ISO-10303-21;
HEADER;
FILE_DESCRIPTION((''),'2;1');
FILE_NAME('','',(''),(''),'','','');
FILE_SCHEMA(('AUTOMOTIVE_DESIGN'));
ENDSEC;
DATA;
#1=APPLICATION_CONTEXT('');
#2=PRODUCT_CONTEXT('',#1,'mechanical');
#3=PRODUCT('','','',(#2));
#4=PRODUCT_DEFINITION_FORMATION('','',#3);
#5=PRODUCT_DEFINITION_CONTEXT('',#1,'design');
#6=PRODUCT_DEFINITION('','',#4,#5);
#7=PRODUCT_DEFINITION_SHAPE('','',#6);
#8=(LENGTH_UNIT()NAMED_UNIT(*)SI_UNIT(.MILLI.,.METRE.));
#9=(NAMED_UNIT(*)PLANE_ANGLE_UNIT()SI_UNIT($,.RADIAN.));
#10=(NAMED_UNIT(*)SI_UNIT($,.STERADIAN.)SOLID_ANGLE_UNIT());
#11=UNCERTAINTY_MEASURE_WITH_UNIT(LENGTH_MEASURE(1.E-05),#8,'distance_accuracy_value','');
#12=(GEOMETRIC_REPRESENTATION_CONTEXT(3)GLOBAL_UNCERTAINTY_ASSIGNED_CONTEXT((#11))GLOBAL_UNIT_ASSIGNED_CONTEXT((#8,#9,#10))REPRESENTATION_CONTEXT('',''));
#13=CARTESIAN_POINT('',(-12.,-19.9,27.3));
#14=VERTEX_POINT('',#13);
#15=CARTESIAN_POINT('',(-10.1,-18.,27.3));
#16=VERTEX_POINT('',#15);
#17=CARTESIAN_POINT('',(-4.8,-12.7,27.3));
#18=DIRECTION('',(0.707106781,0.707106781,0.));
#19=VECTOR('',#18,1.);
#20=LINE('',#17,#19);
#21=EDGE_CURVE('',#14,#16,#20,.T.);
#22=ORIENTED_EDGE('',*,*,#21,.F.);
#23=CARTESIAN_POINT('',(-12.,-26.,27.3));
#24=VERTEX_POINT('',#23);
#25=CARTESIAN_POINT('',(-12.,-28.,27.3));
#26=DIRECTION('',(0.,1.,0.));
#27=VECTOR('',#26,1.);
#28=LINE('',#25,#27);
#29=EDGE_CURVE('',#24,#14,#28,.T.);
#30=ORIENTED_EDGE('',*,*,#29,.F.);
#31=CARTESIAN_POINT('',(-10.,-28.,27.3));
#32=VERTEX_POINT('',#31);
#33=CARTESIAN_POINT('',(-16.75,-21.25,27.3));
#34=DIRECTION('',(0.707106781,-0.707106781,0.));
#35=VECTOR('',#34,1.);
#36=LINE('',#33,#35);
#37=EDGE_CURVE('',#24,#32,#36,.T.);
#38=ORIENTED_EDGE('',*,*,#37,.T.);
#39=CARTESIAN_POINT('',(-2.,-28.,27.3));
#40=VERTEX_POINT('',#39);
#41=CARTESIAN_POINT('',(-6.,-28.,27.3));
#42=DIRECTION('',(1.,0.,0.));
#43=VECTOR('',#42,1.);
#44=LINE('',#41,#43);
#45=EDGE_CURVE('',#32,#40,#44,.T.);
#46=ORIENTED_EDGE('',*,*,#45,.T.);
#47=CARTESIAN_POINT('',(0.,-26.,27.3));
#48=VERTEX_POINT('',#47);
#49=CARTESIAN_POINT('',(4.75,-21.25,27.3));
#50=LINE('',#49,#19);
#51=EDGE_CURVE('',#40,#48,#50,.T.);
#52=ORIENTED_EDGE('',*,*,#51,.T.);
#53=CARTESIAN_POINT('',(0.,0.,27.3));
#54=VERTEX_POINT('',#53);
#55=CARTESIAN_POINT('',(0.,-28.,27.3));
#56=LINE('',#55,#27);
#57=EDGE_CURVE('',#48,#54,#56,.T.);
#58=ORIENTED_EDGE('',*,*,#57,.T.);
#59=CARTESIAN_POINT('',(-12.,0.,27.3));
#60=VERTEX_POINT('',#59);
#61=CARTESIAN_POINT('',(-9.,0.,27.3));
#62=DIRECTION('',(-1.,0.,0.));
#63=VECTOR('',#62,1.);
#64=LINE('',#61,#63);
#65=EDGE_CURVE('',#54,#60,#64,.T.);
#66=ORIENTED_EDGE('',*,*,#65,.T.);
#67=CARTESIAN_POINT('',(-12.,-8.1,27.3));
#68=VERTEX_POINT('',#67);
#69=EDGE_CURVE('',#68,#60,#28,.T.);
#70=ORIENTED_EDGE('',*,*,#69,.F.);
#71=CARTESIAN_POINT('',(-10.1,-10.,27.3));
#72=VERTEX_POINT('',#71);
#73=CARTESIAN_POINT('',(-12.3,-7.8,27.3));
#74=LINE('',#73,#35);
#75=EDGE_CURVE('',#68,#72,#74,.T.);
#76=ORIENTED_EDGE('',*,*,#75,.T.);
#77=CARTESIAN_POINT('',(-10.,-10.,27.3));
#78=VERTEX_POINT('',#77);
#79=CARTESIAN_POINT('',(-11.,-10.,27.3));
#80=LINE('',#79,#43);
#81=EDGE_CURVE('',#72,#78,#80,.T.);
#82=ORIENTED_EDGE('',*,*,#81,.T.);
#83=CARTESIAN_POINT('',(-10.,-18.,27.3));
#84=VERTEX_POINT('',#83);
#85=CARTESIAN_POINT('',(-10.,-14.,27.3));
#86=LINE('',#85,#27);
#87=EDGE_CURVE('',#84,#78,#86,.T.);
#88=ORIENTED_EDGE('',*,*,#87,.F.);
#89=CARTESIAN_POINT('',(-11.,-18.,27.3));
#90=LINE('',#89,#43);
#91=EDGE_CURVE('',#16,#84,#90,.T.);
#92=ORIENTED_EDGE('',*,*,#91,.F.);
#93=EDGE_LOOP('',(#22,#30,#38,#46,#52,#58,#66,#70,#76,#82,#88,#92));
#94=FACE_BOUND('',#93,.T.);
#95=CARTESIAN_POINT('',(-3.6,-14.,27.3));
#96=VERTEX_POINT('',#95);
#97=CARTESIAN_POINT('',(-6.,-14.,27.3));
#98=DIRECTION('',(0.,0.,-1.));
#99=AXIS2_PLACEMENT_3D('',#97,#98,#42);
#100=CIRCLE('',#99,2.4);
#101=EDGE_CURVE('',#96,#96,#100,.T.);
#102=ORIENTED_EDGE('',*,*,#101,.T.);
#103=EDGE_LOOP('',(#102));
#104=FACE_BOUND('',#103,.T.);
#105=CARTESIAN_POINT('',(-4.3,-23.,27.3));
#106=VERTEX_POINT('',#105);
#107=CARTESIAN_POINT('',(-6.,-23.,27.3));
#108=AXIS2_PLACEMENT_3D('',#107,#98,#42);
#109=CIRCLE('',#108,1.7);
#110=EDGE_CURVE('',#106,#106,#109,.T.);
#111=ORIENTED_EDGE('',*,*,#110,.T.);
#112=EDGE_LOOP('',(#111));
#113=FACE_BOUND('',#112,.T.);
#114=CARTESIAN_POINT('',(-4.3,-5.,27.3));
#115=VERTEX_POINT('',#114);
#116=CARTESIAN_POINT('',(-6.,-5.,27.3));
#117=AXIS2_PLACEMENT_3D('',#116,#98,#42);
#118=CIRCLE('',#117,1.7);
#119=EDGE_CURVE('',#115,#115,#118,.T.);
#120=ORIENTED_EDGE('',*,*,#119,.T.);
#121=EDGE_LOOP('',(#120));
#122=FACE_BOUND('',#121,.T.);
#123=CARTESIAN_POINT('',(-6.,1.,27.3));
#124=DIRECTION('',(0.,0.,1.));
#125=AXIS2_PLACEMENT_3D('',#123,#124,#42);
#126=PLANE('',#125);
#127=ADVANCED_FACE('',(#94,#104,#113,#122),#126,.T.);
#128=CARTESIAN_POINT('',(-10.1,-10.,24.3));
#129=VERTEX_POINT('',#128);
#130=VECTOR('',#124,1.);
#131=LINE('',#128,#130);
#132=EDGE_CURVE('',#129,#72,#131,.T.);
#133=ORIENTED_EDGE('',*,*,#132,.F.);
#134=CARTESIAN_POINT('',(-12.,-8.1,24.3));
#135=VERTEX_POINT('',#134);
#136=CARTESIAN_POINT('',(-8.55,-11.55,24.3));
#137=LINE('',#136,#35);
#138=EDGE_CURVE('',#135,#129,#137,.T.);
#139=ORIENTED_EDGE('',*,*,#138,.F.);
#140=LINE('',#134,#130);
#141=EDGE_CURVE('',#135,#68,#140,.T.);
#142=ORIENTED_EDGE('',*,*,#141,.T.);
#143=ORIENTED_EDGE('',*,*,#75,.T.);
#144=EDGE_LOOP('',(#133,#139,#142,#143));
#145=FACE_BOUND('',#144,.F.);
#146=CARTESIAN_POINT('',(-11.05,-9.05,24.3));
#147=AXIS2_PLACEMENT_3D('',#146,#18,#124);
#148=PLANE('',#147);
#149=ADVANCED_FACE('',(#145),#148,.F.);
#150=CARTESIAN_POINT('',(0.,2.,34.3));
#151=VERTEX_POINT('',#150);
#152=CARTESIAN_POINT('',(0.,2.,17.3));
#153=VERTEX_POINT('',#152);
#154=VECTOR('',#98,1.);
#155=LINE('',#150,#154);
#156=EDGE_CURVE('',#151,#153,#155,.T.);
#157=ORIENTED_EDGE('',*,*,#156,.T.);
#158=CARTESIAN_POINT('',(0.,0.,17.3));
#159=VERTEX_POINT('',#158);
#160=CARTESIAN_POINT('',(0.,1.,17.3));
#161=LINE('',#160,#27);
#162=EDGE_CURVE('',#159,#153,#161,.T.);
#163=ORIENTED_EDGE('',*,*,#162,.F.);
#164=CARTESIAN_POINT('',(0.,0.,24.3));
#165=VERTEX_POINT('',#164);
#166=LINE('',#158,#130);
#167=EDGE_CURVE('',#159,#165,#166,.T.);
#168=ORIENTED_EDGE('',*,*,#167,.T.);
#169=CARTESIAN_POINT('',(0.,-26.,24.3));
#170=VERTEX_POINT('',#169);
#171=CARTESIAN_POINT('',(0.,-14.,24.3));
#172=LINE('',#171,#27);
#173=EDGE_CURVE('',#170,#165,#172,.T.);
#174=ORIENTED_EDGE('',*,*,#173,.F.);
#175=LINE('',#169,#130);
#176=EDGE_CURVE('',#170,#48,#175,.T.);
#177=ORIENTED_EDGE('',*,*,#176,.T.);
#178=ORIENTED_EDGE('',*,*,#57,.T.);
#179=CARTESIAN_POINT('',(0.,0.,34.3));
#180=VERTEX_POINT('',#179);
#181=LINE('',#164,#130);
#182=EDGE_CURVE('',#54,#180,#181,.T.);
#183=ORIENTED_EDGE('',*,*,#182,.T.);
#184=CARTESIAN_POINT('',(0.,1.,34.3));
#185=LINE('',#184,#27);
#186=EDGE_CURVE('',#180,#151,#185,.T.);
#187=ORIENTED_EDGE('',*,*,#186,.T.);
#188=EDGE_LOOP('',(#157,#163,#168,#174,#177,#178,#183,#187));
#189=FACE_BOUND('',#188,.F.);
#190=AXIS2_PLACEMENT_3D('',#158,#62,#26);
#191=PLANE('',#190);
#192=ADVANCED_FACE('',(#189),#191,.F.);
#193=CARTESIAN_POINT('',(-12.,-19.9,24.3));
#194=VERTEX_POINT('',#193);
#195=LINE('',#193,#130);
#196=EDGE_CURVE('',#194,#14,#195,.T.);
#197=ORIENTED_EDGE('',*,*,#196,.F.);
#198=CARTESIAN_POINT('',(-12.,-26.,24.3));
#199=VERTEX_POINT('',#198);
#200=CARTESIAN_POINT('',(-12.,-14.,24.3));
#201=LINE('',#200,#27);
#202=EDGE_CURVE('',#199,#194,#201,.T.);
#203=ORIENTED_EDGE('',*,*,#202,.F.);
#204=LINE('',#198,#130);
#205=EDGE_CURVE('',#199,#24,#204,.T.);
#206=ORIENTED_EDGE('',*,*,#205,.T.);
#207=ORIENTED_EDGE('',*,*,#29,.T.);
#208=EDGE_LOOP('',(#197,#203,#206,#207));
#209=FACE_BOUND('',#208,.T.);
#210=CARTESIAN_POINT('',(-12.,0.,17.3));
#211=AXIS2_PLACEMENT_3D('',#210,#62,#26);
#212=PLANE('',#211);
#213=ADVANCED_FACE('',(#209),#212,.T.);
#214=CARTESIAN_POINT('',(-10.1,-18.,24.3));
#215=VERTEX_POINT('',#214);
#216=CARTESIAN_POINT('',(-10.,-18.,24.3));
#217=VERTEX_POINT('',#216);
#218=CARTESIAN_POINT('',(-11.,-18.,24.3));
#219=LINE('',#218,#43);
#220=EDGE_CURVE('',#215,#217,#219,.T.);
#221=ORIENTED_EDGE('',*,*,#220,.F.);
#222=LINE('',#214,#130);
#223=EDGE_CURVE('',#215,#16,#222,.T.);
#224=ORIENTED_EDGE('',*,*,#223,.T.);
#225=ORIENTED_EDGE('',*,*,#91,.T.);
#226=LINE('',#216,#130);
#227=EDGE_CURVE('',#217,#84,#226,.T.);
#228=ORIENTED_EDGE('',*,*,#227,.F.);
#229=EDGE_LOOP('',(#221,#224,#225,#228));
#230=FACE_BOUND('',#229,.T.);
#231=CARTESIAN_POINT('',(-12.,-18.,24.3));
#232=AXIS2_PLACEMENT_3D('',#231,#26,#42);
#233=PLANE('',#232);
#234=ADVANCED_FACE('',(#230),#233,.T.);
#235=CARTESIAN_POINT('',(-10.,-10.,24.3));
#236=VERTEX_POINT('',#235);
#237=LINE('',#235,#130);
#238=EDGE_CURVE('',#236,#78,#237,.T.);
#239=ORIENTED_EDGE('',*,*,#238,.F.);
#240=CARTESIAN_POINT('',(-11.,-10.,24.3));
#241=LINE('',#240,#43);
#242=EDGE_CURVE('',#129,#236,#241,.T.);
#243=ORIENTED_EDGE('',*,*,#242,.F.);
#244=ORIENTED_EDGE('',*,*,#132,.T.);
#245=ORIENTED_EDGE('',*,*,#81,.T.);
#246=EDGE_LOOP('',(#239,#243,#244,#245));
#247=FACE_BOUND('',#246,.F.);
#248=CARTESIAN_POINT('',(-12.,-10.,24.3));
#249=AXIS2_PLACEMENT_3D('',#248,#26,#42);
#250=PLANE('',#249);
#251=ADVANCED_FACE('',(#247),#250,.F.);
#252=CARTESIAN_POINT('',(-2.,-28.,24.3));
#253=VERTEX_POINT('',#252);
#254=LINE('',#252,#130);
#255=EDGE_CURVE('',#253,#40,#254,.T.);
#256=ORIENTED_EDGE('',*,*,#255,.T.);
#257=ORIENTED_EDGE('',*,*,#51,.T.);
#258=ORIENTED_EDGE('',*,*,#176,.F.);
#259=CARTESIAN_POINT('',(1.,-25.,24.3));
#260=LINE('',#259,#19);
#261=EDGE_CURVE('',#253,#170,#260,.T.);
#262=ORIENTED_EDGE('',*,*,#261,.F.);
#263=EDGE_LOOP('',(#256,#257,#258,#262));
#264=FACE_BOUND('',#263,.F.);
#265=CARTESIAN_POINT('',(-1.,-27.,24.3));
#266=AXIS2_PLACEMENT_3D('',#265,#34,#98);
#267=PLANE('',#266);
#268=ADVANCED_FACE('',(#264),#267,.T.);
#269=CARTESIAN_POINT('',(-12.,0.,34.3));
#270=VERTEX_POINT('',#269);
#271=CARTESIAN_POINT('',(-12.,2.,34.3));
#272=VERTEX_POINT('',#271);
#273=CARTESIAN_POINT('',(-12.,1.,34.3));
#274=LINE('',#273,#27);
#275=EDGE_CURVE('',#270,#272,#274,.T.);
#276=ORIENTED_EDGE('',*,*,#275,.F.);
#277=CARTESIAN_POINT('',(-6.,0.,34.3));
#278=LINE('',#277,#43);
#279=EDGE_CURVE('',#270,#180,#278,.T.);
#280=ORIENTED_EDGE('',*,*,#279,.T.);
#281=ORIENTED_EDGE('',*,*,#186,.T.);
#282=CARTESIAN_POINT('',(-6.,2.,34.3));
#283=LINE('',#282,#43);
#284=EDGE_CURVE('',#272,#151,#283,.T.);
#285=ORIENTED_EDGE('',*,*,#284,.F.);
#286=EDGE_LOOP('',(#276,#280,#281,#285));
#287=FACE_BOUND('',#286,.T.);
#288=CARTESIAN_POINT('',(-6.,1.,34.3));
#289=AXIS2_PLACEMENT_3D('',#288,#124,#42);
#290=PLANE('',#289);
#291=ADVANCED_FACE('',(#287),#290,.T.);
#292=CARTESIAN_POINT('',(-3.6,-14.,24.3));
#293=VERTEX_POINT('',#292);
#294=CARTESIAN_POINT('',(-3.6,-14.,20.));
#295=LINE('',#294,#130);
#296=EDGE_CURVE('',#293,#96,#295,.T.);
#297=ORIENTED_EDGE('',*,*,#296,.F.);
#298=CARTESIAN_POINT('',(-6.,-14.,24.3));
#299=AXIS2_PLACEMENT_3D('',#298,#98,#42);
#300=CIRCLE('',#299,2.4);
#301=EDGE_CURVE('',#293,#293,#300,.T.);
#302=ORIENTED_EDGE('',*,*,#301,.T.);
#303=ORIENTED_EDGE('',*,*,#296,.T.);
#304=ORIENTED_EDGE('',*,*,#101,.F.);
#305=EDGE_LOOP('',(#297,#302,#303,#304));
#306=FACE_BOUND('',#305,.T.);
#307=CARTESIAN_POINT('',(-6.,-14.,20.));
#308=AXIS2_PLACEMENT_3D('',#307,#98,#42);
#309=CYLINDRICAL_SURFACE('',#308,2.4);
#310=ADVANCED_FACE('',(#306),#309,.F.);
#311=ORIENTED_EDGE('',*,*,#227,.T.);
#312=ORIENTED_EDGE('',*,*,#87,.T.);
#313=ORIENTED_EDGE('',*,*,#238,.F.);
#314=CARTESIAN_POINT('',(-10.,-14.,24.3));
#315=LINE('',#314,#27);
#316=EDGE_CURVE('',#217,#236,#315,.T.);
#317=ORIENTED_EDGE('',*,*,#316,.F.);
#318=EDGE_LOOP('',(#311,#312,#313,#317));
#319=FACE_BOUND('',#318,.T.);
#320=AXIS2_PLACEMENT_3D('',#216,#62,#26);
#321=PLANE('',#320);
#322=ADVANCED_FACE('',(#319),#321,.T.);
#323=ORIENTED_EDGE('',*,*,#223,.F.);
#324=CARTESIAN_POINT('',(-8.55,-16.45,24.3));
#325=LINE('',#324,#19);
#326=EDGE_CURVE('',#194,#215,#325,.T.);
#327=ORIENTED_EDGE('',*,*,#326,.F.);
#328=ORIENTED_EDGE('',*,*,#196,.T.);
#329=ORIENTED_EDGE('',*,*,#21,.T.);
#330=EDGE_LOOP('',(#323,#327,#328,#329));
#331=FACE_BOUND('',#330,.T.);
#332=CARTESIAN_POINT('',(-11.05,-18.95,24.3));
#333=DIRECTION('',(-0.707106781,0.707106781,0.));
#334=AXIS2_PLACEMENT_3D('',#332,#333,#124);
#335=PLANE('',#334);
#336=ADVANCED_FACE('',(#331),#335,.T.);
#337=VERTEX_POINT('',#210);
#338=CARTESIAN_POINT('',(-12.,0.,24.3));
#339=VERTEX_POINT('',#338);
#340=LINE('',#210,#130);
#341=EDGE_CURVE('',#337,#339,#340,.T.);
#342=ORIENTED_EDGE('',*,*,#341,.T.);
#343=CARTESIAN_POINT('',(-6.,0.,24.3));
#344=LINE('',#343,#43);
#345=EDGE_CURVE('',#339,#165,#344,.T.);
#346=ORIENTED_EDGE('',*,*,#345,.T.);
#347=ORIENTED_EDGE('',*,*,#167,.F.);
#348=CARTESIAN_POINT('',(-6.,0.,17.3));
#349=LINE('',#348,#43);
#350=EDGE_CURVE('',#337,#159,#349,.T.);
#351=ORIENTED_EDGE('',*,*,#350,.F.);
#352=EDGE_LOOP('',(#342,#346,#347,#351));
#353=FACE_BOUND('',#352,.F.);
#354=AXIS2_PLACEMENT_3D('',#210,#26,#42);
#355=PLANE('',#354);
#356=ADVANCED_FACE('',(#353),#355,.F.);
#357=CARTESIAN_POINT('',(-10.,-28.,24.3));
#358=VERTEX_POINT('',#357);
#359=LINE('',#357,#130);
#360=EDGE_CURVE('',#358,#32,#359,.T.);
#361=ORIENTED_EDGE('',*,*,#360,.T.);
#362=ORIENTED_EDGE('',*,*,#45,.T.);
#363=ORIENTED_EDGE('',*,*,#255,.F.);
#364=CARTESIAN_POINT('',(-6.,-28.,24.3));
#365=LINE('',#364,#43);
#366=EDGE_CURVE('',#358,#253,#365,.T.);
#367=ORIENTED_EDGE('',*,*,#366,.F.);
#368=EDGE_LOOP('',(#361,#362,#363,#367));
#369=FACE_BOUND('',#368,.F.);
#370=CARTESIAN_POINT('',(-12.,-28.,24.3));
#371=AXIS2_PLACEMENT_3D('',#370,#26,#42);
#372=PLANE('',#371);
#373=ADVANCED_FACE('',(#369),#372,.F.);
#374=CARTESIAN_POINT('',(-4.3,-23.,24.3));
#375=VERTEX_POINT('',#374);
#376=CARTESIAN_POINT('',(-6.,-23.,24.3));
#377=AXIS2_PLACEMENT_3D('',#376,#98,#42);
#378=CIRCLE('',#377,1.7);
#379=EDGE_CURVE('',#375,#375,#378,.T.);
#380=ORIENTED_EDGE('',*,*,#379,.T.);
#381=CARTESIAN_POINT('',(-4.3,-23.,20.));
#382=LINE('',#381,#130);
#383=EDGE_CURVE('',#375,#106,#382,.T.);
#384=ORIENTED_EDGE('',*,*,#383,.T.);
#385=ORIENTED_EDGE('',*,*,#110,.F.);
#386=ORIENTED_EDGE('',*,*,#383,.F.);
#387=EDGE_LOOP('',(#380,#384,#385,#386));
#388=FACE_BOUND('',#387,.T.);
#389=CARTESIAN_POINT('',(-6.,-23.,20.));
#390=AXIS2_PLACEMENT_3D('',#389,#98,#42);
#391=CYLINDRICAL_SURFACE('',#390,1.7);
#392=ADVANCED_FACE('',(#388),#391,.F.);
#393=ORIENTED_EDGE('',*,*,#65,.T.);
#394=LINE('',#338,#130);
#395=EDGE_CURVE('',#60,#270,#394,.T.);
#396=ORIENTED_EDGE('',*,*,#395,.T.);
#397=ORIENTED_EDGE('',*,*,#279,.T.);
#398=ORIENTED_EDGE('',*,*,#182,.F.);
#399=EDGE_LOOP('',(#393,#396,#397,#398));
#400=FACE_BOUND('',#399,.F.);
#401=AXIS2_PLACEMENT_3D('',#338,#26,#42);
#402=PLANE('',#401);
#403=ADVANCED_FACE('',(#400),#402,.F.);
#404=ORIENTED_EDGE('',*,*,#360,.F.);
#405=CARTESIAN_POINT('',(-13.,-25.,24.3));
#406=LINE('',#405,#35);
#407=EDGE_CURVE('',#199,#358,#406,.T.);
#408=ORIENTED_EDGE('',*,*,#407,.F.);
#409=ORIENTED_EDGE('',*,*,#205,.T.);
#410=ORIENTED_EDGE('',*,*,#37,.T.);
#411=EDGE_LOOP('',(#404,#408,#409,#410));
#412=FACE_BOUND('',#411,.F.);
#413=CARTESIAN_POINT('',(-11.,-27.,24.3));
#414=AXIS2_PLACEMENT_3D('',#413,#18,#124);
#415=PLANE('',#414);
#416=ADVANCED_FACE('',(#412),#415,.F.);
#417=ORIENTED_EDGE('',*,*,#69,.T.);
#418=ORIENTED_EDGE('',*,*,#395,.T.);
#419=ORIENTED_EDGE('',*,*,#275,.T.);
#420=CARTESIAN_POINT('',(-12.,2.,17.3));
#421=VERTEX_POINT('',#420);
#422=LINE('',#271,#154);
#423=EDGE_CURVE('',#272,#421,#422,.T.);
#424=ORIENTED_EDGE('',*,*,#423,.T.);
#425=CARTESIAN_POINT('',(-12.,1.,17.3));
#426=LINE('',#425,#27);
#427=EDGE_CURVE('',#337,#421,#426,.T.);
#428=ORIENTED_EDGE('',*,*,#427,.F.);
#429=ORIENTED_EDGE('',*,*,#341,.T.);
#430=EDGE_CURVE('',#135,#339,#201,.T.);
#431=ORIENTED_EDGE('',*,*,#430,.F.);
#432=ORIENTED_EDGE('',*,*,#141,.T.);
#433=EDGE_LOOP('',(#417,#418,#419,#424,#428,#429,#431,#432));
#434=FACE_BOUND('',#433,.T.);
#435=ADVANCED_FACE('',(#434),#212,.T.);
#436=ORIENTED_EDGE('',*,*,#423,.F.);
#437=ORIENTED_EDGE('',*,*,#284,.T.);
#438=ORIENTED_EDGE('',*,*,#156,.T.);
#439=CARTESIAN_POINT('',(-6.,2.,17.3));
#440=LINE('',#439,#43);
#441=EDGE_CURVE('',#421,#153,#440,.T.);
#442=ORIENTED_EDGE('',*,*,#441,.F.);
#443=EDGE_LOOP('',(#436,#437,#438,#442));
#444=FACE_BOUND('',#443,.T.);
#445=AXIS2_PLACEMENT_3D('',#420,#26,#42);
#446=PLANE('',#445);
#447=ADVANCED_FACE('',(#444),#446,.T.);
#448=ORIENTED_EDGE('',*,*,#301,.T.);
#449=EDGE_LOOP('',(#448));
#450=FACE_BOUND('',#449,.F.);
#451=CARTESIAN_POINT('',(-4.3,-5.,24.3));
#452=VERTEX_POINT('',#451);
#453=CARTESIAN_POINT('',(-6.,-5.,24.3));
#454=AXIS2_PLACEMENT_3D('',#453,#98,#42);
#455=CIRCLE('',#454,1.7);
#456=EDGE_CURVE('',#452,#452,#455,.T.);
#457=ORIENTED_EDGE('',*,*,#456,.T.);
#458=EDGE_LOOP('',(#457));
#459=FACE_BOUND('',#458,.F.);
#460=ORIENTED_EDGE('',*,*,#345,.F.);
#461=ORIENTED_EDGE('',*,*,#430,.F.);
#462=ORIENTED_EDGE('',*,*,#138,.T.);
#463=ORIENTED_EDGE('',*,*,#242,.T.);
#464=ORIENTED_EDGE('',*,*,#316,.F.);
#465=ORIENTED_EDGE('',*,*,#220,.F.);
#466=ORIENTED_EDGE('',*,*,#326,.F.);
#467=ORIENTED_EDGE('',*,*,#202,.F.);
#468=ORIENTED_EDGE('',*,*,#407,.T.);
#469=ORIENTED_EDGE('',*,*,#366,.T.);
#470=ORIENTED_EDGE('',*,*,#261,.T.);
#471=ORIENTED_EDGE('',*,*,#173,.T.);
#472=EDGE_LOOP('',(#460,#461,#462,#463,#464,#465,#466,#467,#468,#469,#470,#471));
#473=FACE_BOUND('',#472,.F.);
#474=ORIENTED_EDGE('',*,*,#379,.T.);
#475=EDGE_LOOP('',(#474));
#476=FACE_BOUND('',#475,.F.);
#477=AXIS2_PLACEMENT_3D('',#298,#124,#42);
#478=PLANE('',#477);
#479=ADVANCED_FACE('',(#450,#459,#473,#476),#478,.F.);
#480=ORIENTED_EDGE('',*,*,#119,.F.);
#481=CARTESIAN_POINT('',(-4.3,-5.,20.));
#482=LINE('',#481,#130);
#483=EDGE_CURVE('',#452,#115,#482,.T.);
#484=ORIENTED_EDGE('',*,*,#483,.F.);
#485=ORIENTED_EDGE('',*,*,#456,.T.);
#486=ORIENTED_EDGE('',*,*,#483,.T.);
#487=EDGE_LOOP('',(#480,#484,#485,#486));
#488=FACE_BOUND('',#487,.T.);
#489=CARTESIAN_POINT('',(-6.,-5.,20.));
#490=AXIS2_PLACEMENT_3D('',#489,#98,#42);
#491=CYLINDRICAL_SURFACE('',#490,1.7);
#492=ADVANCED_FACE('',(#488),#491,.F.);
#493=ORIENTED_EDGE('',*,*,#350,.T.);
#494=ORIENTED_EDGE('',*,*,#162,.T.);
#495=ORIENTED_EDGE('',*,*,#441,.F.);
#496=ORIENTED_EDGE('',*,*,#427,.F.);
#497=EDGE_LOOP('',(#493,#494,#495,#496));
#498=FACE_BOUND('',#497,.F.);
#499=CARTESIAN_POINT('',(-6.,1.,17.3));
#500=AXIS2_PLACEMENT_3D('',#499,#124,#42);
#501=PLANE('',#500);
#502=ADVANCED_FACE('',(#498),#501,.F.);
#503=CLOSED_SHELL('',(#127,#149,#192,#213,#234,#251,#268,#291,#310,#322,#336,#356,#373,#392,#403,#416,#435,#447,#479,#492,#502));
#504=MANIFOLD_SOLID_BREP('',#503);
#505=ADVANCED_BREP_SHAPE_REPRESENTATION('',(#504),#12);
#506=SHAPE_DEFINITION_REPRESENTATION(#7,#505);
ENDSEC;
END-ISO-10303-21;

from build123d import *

# Parameters (mm, degrees)
BOX028_W          = 2
BOX028_H          = 8
BOX028_DEPTH      = 3
BOX027_W          = 12
BOX027_H          = 2
BOX027_DEPTH      = 10
BOX025_W          = 12
BOX025_H          = 2
BOX025_DEPTH      = 10
CYLINDER007_R     = 1.7
CYLINDER007_DEPTH = 10
CYLINDER008_R     = 1.7
CYLINDER008_DEPTH = 10
CYLINDER006_R     = 2.4
CYLINDER006_DEPTH = 10
BOX026_W          = 12
BOX026_H          = 28
BOX026_DEPTH      = 3
CHAMFER022_SIZE   = 1.9
CHAMFER023_SIZE   = 2


with BuildPart() as cube028:
    # Box028 → Box028 (new body)
    with BuildSketch(Plane(origin=(-12, -18, 24.3), x_dir=(1, 0, 0), z_dir=(0, 0, 1))):
        with Locations((1, 4)):
            Rectangle(BOX028_W, BOX028_H)
    extrude(amount=BOX028_DEPTH)


with BuildPart() as cube027:
    # Box027 → Box027 (new body)
    with BuildSketch(Plane(origin=(-12, 0, 17.3), x_dir=(1, 0, 0), z_dir=(0, 0, 1))):
        with Locations((6, 1)):
            Rectangle(BOX027_W, BOX027_H)
    extrude(amount=BOX027_DEPTH)


with BuildPart() as cube025:
    # Box025 → Box025 (new body)
    with BuildSketch(Plane(origin=(-12, 0, 24.3), x_dir=(1, 0, 0), z_dir=(0, 0, 1))):
        with Locations((6, 1)):
            Rectangle(BOX025_W, BOX025_H)
    extrude(amount=BOX025_DEPTH)


with BuildPart() as cylinder007:
    # Cylinder007 → Cylinder007 (new body)
    with BuildSketch(Plane(origin=(-6, -5, 20), x_dir=(1, 0, 0), z_dir=(0, 0, 1))):
        Circle(CYLINDER007_R)
    extrude(amount=CYLINDER007_DEPTH)


with BuildPart() as cylinder008:
    # Cylinder008 → Cylinder008 (new body)
    with BuildSketch(Plane(origin=(-6, -23, 20), x_dir=(1, 0, 0), z_dir=(0, 0, 1))):
        Circle(CYLINDER008_R)
    extrude(amount=CYLINDER008_DEPTH)


with BuildPart() as fusion014004:
    # Cylinder006 → Cylinder006 (new body)
    with BuildSketch(Plane(origin=(-6, -14, 20), x_dir=(1, 0, 0), z_dir=(0, 0, 1))):
        Circle(CYLINDER006_R)
    extrude(amount=CYLINDER006_DEPTH)

    # Fusion014004: union Cylinder007, Cylinder008
    add(cylinder007.part)
    add(cylinder008.part)


with BuildPart() as chamfer023:
    # Box026 → Box026 (new body)
    with BuildSketch(Plane(origin=(-12, -28, 24.3), x_dir=(1, 0, 0), z_dir=(0, 0, 1))):
        with Locations((6, 14)):
            Rectangle(BOX026_W, BOX026_H)
    extrude(amount=BOX026_DEPTH)

    # Cut002003004006013002: cut Fusion014004
    add(fusion014004.part, mode=Mode.SUBTRACT)

    # Fusion014005: union Cube027, Cube025
    add(cube027.part)
    add(cube025.part)

    # Cut002003004006013003: cut Cube028
    add(cube028.part, mode=Mode.SUBTRACT)

    # Chamfer022
    chamfer022_edges = [chamfer023.edges().sort_by_distance(p)[0] for p in [
        (-12, -10, 25.8),
        (-12, -18, 25.8),
    ]]
    chamfer(chamfer022_edges, length=CHAMFER022_SIZE)

    # Chamfer023
    chamfer023_edges = [chamfer023.edges().sort_by_distance(p)[0] for p in [
        (-12, -28, 25.8),
        (0, -28, 25.8),
    ]]
    chamfer(chamfer023_edges, length=CHAMFER023_SIZE)


solid = chamfer023.part
